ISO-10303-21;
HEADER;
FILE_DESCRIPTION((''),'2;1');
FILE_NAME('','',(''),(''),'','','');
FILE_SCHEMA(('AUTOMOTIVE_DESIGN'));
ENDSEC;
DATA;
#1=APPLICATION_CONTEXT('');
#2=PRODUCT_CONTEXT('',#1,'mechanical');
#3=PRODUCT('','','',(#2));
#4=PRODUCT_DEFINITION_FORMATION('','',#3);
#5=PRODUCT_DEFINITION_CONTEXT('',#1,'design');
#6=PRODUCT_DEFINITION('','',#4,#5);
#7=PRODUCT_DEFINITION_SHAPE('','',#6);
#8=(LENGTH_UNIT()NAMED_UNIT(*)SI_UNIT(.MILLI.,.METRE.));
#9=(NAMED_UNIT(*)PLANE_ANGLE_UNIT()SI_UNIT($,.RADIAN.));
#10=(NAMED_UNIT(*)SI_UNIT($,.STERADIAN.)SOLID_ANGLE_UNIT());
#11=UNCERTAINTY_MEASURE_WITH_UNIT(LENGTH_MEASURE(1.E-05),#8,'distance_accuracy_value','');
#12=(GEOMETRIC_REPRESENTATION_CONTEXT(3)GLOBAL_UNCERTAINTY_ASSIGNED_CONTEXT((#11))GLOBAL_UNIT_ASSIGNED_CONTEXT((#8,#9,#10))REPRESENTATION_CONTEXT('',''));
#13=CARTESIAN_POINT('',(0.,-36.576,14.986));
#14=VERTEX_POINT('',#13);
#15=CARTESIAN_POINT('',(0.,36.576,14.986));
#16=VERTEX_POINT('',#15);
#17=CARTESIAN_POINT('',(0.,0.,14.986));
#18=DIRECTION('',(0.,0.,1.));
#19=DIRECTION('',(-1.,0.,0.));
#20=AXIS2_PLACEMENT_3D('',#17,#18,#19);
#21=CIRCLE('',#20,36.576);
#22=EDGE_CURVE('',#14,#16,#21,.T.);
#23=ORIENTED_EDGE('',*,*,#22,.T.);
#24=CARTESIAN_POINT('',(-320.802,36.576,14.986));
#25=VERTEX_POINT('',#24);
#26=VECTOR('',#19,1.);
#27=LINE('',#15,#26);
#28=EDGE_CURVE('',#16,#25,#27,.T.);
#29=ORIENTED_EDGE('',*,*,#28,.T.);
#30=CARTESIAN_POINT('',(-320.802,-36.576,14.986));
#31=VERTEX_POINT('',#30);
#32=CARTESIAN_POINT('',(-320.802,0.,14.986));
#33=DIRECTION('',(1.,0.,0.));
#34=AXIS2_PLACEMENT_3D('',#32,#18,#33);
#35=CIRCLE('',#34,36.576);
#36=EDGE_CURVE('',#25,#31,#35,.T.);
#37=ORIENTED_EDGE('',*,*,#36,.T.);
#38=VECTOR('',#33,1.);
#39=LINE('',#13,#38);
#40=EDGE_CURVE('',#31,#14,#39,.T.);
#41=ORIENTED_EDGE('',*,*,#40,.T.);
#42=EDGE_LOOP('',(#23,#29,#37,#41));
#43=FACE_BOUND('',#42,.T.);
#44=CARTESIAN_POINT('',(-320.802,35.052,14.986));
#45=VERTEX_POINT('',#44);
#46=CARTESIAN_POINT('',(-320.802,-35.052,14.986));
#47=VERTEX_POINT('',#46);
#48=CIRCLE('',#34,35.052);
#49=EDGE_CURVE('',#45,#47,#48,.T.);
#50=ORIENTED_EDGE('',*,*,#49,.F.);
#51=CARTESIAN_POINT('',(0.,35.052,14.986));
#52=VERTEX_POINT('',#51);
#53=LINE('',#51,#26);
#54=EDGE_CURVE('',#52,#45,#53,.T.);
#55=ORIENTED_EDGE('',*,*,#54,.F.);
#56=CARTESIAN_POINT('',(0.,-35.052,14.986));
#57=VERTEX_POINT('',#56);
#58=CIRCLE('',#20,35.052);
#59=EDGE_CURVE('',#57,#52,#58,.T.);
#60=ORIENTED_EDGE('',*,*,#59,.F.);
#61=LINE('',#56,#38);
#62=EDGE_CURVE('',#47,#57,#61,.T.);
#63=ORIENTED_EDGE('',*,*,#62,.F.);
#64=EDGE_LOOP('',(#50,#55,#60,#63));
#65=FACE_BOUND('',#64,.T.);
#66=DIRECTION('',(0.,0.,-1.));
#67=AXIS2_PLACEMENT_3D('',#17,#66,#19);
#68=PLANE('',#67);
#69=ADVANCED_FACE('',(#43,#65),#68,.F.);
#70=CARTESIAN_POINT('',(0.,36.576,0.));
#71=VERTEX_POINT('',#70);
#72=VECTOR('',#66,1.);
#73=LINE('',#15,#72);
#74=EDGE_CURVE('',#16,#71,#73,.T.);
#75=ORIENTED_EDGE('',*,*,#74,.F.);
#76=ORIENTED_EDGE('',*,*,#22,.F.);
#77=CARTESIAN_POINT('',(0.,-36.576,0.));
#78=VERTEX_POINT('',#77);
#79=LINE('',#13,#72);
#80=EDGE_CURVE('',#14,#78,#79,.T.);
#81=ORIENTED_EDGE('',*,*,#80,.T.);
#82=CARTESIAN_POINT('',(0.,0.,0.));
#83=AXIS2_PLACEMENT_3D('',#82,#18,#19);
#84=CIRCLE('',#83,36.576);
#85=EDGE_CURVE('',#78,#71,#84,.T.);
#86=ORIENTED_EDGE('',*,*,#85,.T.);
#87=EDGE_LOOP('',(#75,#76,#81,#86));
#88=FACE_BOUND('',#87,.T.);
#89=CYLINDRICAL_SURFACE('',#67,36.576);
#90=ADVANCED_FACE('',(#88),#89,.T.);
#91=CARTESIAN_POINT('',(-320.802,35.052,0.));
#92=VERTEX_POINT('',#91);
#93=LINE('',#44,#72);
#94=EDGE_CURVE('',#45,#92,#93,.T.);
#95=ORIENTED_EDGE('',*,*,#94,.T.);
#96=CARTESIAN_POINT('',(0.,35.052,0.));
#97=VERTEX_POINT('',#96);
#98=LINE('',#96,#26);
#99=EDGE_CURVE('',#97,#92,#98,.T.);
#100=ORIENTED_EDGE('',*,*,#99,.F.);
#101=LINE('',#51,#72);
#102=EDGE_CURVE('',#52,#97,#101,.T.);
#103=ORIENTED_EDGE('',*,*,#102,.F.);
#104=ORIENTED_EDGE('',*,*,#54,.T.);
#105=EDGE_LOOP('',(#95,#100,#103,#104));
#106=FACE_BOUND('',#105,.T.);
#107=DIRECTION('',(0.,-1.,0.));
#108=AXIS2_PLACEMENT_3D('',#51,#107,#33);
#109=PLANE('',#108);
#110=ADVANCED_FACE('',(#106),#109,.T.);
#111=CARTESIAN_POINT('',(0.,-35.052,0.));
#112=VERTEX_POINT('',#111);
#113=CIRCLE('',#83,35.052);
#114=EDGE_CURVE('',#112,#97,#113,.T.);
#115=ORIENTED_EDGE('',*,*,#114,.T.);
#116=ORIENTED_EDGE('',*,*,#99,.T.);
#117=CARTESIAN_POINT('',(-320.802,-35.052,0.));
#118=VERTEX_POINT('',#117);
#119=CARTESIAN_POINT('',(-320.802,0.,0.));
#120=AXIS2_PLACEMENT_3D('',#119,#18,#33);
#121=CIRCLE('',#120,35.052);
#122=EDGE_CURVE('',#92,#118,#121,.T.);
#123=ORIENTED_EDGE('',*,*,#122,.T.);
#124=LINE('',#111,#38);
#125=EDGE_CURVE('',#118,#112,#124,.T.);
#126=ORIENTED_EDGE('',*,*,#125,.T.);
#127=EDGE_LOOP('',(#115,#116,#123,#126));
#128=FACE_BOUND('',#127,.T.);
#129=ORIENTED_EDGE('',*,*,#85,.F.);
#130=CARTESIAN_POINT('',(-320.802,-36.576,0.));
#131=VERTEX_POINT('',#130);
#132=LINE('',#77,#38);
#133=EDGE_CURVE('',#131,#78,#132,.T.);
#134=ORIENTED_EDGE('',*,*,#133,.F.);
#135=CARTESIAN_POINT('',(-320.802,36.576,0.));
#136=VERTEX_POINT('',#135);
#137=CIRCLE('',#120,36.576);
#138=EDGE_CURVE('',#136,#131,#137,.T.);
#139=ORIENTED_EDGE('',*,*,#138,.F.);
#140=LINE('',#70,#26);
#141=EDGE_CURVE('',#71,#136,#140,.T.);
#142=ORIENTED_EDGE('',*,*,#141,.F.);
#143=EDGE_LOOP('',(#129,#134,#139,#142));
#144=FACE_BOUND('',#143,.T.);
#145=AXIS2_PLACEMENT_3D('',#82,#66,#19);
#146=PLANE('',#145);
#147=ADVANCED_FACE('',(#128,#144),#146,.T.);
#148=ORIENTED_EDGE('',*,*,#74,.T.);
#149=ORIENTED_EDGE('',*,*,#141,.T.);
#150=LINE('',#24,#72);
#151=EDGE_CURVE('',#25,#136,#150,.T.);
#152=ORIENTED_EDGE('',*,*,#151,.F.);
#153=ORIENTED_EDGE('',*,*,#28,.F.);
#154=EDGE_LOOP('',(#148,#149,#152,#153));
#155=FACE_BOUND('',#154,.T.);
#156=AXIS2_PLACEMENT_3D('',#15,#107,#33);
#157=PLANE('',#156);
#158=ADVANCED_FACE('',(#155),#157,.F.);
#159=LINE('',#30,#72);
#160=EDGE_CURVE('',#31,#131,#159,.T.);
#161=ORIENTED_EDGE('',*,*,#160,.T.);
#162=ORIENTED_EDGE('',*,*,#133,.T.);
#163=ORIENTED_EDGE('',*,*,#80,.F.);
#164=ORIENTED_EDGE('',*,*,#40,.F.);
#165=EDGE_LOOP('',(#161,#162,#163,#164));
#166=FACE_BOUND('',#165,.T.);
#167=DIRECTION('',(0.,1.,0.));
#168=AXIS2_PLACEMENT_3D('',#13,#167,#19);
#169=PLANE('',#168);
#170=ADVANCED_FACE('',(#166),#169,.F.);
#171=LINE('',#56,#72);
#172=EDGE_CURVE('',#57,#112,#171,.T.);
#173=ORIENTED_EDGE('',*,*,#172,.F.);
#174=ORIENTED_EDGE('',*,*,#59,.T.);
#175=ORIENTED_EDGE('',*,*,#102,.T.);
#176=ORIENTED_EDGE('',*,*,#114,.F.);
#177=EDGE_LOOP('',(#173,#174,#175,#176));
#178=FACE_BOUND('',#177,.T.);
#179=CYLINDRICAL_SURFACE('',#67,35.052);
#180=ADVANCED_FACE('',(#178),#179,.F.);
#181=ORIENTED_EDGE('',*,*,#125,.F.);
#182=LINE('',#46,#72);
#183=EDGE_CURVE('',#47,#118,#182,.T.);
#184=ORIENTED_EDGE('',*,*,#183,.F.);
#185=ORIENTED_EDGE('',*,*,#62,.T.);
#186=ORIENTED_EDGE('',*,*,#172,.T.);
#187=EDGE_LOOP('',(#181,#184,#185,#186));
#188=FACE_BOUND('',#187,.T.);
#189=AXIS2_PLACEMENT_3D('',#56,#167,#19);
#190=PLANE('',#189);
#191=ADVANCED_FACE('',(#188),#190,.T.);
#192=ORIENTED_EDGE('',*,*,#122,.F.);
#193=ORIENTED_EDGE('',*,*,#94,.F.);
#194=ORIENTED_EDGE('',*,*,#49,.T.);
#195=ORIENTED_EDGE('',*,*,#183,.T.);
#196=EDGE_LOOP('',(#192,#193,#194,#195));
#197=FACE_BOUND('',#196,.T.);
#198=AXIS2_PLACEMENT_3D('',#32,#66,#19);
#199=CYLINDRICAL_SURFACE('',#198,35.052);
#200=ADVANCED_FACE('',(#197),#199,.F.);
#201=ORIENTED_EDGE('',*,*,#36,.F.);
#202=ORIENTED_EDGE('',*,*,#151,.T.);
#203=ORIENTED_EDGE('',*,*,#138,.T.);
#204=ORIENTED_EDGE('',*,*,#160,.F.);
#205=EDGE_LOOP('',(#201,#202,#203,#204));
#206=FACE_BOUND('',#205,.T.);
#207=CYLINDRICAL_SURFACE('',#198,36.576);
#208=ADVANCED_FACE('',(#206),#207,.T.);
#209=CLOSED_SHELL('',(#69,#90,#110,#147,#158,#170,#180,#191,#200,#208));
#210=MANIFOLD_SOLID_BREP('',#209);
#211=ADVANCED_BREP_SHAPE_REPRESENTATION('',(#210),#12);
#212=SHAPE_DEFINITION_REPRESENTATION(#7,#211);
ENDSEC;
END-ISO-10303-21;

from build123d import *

# Parameters (mm, degrees)
BOSS_EXTRUDE1_DEPTH = 14.986


with BuildPart() as part:
    # Sketch1 → Boss-Extrude1 (new body)
    with BuildSketch(Plane.XY):
        with BuildLine():
            Line((0, 36.576), (-320.802, 36.576))
            ThreePointArc((-320.802, 36.576), (-357.378, 0), (-320.802, -36.576))
            Line((-320.802, -36.576), (0, -36.576))
            ThreePointArc((0, -36.576), (36.576, 0), (0, 36.576))
        make_face()
        with BuildLine():
            Line((0, 35.052), (-320.802, 35.052))
            ThreePointArc((-320.802, 35.052), (-355.854, 0), (-320.802, -35.052))
            Line((-320.802, -35.052), (0, -35.052))
            ThreePointArc((0, -35.052), (35.052, 0), (0, 35.052))
        make_face(mode=Mode.SUBTRACT)
    extrude(amount=BOSS_EXTRUDE1_DEPTH)


solid = part.part
